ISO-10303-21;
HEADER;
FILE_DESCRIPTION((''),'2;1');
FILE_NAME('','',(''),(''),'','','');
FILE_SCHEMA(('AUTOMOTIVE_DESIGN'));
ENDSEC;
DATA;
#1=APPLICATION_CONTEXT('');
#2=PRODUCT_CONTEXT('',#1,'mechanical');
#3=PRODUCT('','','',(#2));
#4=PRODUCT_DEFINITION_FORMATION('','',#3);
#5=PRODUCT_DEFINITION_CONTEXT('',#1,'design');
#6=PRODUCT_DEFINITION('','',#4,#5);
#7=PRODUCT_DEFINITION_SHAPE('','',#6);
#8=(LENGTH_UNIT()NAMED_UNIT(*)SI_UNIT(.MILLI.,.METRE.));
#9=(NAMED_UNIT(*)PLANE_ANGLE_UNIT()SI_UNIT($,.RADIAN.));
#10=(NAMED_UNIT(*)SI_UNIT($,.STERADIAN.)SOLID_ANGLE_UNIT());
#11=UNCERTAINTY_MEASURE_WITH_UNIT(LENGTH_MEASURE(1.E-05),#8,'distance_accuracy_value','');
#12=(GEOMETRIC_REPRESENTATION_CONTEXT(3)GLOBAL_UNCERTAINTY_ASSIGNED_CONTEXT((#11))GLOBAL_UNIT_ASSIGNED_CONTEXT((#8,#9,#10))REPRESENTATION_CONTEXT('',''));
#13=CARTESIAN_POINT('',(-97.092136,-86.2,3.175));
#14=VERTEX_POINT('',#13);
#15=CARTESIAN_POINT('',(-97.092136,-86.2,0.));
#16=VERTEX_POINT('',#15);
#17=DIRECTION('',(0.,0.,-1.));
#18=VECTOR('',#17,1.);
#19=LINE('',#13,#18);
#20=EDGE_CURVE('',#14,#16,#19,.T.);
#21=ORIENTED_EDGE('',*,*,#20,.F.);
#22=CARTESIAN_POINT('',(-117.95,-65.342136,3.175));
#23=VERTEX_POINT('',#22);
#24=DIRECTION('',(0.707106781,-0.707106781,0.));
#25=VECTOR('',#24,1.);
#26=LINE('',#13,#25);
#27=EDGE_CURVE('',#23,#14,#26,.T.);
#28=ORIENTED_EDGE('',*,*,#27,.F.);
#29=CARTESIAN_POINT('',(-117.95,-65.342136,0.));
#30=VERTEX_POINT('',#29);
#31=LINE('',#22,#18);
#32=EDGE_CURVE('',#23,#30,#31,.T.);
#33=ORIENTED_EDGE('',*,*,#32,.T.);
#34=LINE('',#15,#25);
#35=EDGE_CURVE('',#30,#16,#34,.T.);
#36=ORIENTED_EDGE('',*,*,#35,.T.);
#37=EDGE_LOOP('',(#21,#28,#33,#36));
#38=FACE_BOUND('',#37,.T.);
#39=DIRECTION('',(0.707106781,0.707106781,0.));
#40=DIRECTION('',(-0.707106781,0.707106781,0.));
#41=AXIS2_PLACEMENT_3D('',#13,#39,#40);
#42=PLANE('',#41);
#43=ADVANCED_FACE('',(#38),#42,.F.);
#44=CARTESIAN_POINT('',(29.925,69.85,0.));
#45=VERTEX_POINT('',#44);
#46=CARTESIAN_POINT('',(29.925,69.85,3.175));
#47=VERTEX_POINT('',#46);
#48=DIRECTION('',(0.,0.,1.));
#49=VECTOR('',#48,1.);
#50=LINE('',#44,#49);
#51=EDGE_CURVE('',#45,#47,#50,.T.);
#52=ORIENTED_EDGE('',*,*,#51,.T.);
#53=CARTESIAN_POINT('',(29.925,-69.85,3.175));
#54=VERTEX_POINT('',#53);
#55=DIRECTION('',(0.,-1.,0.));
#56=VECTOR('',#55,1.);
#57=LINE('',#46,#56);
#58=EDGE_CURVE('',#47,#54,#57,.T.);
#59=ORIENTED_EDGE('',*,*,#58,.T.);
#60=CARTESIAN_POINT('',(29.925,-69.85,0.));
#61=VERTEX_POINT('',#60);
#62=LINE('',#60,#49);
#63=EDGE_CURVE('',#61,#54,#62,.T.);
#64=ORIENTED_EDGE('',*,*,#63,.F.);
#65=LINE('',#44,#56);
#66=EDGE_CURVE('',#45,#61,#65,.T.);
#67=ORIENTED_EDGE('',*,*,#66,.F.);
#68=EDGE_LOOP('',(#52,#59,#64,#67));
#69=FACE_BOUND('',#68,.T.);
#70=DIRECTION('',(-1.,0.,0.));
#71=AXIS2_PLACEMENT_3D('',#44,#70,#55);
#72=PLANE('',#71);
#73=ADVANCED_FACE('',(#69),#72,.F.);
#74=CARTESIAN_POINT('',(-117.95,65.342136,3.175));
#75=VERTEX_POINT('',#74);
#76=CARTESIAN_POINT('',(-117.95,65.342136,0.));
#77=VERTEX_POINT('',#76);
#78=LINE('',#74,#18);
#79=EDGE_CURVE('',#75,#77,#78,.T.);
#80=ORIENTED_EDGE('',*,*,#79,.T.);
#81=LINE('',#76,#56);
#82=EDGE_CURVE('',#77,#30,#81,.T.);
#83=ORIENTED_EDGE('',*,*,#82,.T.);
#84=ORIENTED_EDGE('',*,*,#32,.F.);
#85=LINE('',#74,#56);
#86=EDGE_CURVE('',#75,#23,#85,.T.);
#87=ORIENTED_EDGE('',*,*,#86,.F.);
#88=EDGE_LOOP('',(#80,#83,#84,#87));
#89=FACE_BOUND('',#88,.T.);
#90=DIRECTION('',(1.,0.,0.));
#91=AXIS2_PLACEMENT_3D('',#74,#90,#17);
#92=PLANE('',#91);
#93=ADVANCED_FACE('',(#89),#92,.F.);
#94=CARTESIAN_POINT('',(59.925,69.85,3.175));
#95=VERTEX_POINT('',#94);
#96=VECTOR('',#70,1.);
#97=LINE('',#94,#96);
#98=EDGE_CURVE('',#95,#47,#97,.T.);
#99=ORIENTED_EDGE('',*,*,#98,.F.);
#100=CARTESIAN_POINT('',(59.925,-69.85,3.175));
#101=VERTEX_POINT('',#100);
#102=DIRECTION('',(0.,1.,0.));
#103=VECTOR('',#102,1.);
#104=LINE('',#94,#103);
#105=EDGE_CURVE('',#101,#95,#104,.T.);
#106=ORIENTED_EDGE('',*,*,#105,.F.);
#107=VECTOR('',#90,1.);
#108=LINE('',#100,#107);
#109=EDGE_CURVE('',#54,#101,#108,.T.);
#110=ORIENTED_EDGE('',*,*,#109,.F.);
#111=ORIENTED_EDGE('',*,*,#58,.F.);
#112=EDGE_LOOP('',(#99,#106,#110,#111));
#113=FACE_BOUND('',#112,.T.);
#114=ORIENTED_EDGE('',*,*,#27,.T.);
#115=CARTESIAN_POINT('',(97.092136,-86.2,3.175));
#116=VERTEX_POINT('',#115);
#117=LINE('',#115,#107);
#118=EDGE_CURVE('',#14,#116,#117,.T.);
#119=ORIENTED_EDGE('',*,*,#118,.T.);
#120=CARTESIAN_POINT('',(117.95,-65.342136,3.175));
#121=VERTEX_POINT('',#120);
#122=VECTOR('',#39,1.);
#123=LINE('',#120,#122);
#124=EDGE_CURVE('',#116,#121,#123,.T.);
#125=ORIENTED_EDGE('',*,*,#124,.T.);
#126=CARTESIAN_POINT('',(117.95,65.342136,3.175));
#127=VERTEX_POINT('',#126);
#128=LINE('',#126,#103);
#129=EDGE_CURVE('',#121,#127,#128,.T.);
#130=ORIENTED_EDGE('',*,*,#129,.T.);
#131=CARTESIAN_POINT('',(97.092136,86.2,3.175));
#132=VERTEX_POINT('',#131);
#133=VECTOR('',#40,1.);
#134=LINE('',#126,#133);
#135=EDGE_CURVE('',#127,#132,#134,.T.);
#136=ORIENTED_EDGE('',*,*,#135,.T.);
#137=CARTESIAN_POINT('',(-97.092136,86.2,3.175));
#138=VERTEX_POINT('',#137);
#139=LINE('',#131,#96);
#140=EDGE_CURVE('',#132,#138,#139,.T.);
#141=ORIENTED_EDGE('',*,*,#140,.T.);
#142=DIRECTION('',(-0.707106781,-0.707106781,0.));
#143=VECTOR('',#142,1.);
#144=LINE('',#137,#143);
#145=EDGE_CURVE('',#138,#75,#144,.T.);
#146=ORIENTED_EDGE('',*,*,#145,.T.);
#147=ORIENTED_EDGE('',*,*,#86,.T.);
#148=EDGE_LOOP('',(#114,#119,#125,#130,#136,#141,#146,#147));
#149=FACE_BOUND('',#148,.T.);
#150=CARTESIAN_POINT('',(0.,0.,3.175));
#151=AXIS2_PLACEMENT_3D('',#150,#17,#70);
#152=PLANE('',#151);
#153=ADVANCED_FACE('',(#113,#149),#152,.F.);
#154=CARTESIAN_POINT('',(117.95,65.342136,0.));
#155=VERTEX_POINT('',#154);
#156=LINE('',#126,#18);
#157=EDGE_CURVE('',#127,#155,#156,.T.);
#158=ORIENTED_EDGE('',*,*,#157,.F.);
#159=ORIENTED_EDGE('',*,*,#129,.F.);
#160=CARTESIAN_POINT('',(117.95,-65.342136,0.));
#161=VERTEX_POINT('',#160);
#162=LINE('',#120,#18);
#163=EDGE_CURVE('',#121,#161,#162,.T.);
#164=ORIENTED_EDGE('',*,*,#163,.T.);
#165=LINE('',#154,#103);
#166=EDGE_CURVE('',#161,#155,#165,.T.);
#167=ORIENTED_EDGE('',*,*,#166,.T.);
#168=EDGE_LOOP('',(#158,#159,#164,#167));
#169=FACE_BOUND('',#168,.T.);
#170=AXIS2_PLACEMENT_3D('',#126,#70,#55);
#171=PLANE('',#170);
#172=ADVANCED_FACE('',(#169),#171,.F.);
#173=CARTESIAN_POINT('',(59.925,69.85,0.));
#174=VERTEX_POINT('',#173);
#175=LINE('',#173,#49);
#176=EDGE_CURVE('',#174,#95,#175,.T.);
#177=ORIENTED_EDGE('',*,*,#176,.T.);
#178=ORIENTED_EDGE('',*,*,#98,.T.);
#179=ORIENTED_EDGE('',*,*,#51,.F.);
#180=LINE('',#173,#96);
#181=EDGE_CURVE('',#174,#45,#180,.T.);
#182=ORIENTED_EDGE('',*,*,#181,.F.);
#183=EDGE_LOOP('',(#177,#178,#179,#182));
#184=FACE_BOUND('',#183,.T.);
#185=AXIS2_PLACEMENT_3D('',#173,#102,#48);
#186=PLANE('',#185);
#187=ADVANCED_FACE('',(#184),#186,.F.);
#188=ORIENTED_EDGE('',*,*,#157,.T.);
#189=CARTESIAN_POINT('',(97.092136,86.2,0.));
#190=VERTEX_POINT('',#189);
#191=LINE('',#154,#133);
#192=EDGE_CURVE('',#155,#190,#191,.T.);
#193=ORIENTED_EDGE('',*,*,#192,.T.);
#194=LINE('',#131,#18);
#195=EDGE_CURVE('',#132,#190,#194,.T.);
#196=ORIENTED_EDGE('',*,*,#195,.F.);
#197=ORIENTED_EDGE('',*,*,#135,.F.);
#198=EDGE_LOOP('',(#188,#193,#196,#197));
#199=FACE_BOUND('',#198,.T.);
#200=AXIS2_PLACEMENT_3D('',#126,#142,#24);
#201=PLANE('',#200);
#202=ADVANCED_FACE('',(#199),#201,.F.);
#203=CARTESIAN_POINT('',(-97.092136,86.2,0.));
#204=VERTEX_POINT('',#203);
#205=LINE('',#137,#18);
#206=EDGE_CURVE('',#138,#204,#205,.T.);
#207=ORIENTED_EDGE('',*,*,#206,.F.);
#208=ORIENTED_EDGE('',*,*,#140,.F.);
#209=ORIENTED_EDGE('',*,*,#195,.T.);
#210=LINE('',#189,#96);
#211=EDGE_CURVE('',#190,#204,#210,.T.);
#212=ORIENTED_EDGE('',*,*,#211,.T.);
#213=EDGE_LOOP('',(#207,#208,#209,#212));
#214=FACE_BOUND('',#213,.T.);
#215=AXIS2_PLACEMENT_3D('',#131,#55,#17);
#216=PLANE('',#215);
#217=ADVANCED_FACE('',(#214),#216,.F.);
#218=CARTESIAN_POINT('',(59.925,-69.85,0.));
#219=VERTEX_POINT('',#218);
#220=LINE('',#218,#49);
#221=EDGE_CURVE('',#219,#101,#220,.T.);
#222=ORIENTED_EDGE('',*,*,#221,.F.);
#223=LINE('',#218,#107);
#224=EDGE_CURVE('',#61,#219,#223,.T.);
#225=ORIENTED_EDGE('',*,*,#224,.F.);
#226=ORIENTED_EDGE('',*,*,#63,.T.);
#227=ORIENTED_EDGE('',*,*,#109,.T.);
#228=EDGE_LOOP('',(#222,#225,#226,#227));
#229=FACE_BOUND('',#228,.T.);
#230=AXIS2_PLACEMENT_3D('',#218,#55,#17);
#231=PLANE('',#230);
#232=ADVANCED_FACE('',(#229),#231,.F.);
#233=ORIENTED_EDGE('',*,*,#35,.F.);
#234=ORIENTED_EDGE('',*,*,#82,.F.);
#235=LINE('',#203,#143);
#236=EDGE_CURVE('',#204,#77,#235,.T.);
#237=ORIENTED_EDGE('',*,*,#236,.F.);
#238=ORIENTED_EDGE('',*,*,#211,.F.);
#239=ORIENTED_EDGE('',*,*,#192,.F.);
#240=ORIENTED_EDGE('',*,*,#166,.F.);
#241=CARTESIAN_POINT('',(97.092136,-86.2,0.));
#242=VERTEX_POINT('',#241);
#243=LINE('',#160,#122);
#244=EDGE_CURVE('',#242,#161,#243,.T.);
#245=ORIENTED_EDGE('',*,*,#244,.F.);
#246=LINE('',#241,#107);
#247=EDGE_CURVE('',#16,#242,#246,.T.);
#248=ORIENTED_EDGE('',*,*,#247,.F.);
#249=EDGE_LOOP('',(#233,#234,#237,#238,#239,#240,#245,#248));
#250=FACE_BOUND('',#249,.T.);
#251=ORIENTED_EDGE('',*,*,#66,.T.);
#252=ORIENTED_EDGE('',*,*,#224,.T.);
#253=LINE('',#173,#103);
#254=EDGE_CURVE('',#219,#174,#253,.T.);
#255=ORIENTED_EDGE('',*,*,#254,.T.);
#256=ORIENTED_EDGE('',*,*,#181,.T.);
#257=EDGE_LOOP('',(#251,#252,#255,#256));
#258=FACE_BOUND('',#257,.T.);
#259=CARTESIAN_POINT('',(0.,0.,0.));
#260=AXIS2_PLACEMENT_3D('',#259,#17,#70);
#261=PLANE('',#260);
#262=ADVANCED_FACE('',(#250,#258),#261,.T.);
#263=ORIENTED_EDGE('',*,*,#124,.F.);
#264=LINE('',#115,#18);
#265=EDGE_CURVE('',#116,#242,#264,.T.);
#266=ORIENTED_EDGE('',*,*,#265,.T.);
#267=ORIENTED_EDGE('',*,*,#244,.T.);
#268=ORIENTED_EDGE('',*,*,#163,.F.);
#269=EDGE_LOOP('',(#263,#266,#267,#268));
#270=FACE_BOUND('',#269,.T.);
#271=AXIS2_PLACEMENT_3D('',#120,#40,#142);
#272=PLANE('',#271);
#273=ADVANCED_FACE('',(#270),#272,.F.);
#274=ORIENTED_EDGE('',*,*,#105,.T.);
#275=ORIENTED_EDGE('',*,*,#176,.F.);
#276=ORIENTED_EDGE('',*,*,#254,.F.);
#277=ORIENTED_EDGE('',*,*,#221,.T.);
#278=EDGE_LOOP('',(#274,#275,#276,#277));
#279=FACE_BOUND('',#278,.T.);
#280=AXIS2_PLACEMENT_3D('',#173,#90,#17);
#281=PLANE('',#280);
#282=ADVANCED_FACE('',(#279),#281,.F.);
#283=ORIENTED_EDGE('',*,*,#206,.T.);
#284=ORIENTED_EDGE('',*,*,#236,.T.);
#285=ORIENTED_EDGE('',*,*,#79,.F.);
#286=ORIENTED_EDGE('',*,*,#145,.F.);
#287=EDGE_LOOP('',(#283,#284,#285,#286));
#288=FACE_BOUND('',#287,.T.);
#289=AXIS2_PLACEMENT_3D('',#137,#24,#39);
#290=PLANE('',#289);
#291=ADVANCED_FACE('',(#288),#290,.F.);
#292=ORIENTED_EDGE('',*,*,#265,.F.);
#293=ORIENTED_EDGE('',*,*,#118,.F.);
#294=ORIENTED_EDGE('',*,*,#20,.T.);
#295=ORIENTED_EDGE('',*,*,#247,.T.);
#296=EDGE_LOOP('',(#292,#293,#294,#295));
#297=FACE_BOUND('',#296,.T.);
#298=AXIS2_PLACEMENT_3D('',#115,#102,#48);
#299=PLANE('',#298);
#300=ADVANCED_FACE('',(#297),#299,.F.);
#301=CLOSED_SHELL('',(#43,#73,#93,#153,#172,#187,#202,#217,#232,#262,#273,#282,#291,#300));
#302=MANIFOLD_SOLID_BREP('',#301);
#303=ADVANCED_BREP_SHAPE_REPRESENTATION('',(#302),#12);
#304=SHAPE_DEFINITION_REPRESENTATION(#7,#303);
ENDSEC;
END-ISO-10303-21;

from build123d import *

# Parameters (mm, degrees)
BOSS_EXTRUDE1_DEPTH = 3.175
SKETCH5_W           = 30
SKETCH5_H           = 139.7
CUT_EXTRUDE7_DEPTH  = 3.175


with BuildPart() as part:
    # Sketch1 → Boss-Extrude1 (new body)
    with BuildSketch(Plane.XY):
        Polygon((97.092135624, -86.2), (-97.092135624, -86.2), (-117.95, -65.342135624), (-117.95, 65.342135624), (-97.092135624, 86.2), (97.092135624, 86.2), (117.95, 65.342135624), (117.95, -65.342135624), align=None)
    extrude(amount=BOSS_EXTRUDE1_DEPTH)

    # Sketch5 → Cut-Extrude7 (cut)
    with BuildSketch(Plane.XY.offset(3.175)):
        with Locations((44.925, 0)):
            Rectangle(SKETCH5_W, SKETCH5_H)
    extrude(amount=-CUT_EXTRUDE7_DEPTH, mode=Mode.SUBTRACT)


solid = part.part
